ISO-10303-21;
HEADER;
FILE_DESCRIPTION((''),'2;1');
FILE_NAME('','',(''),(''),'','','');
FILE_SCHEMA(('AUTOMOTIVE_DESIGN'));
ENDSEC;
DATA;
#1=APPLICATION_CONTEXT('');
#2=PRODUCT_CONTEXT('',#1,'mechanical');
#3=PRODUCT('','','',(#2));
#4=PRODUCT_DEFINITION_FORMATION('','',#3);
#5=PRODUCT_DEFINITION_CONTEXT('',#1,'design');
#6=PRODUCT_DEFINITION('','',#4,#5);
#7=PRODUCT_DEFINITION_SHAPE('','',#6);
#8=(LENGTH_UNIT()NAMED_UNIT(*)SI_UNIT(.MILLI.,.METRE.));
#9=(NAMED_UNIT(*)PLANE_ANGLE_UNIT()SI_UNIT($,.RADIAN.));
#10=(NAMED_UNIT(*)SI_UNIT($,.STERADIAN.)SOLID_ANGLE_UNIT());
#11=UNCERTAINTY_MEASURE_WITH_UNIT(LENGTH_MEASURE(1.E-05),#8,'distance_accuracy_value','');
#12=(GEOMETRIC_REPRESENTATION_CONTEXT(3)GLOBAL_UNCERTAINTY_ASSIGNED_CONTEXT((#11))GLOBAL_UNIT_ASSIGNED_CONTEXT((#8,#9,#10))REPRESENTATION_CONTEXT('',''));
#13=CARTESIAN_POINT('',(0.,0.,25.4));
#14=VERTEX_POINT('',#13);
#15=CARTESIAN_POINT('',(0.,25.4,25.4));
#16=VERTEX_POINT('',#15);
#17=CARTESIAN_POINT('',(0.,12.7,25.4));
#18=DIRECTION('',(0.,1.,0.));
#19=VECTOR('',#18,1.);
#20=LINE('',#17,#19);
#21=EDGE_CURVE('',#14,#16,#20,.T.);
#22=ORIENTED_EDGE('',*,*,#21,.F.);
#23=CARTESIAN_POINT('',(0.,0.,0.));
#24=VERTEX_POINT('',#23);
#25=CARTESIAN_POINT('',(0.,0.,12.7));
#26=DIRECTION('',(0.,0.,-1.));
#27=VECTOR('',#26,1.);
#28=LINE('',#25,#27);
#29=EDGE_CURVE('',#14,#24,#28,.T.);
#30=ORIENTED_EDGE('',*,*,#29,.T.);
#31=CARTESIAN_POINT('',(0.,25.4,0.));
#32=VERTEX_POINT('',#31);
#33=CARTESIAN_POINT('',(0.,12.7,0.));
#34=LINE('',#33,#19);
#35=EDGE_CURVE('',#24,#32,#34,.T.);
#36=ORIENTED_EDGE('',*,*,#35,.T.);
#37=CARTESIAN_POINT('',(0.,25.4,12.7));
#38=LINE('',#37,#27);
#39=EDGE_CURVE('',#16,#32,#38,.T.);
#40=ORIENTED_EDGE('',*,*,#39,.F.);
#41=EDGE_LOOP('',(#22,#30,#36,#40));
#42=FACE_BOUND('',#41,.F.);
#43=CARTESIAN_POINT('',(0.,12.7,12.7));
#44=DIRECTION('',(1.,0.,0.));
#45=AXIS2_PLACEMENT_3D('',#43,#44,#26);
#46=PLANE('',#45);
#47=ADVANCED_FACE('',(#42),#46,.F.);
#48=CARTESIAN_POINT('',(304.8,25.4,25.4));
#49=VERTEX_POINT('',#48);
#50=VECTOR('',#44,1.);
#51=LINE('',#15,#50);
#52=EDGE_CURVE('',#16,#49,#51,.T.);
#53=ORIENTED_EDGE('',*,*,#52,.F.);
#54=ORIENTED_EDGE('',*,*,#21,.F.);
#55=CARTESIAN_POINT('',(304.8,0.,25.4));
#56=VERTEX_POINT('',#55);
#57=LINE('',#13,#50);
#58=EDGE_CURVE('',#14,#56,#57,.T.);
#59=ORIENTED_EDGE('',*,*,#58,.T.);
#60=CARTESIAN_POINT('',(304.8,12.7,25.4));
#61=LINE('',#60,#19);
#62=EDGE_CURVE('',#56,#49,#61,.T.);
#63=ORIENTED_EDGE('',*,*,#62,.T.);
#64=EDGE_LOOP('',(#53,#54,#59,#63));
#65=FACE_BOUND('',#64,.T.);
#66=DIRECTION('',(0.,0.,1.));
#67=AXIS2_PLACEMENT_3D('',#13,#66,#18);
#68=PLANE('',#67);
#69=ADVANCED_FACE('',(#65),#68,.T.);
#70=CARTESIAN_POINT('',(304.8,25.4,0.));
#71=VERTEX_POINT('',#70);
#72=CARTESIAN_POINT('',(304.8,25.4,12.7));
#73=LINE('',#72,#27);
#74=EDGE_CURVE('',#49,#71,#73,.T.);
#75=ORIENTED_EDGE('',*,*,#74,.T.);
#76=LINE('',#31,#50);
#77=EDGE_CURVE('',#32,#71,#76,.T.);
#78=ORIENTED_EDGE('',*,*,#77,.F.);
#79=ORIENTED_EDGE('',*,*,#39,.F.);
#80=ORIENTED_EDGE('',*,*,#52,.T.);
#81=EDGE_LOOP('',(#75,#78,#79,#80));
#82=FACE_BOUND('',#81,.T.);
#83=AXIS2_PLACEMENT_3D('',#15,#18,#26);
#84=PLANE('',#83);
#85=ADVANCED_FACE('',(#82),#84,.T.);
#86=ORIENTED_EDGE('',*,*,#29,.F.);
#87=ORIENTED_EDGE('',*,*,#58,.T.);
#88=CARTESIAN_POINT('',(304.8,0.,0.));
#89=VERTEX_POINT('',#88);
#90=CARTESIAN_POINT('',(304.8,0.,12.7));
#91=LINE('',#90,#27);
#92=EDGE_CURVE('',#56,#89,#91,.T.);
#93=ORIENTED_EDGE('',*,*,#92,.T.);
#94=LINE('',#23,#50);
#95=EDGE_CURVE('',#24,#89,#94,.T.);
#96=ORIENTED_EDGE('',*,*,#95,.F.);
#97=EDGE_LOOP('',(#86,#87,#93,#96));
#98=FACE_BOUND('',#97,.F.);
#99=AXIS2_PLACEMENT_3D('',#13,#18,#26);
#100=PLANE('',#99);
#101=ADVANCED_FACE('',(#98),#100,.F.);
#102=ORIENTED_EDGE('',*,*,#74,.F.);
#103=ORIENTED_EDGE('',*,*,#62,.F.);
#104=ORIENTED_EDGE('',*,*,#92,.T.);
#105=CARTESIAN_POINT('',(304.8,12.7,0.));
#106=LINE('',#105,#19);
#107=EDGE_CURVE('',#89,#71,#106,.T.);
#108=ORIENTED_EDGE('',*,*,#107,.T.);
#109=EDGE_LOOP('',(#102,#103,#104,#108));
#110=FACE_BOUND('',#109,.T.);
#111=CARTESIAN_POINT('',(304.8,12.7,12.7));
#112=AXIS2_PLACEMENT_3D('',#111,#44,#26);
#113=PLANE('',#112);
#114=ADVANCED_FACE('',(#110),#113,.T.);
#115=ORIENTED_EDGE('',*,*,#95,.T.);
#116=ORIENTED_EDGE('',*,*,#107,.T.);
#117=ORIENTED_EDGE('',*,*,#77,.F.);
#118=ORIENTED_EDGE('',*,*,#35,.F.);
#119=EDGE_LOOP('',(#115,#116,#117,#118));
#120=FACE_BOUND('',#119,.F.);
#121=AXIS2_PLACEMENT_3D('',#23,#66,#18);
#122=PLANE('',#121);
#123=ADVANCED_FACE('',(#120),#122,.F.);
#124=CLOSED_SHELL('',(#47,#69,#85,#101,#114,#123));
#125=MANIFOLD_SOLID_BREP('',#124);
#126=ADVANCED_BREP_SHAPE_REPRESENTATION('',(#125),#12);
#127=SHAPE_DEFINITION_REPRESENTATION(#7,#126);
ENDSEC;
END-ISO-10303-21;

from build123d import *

# Parameters (mm, degrees)
SKETCH1_W           = 25.4
SKETCH1_H           = 25.4
BOSS_EXTRUDE1_DEPTH = 304.8


with BuildPart() as part:
    # Sketch1 → Boss-Extrude1 (new body)
    with BuildSketch(Plane(origin=(0, 0, 0), x_dir=(0, 0, -1), z_dir=(1, 0, 0))):
        with Locations((-12.7, 12.7)):
            Rectangle(SKETCH1_W, SKETCH1_H)
    extrude(amount=BOSS_EXTRUDE1_DEPTH)


solid = part.part
